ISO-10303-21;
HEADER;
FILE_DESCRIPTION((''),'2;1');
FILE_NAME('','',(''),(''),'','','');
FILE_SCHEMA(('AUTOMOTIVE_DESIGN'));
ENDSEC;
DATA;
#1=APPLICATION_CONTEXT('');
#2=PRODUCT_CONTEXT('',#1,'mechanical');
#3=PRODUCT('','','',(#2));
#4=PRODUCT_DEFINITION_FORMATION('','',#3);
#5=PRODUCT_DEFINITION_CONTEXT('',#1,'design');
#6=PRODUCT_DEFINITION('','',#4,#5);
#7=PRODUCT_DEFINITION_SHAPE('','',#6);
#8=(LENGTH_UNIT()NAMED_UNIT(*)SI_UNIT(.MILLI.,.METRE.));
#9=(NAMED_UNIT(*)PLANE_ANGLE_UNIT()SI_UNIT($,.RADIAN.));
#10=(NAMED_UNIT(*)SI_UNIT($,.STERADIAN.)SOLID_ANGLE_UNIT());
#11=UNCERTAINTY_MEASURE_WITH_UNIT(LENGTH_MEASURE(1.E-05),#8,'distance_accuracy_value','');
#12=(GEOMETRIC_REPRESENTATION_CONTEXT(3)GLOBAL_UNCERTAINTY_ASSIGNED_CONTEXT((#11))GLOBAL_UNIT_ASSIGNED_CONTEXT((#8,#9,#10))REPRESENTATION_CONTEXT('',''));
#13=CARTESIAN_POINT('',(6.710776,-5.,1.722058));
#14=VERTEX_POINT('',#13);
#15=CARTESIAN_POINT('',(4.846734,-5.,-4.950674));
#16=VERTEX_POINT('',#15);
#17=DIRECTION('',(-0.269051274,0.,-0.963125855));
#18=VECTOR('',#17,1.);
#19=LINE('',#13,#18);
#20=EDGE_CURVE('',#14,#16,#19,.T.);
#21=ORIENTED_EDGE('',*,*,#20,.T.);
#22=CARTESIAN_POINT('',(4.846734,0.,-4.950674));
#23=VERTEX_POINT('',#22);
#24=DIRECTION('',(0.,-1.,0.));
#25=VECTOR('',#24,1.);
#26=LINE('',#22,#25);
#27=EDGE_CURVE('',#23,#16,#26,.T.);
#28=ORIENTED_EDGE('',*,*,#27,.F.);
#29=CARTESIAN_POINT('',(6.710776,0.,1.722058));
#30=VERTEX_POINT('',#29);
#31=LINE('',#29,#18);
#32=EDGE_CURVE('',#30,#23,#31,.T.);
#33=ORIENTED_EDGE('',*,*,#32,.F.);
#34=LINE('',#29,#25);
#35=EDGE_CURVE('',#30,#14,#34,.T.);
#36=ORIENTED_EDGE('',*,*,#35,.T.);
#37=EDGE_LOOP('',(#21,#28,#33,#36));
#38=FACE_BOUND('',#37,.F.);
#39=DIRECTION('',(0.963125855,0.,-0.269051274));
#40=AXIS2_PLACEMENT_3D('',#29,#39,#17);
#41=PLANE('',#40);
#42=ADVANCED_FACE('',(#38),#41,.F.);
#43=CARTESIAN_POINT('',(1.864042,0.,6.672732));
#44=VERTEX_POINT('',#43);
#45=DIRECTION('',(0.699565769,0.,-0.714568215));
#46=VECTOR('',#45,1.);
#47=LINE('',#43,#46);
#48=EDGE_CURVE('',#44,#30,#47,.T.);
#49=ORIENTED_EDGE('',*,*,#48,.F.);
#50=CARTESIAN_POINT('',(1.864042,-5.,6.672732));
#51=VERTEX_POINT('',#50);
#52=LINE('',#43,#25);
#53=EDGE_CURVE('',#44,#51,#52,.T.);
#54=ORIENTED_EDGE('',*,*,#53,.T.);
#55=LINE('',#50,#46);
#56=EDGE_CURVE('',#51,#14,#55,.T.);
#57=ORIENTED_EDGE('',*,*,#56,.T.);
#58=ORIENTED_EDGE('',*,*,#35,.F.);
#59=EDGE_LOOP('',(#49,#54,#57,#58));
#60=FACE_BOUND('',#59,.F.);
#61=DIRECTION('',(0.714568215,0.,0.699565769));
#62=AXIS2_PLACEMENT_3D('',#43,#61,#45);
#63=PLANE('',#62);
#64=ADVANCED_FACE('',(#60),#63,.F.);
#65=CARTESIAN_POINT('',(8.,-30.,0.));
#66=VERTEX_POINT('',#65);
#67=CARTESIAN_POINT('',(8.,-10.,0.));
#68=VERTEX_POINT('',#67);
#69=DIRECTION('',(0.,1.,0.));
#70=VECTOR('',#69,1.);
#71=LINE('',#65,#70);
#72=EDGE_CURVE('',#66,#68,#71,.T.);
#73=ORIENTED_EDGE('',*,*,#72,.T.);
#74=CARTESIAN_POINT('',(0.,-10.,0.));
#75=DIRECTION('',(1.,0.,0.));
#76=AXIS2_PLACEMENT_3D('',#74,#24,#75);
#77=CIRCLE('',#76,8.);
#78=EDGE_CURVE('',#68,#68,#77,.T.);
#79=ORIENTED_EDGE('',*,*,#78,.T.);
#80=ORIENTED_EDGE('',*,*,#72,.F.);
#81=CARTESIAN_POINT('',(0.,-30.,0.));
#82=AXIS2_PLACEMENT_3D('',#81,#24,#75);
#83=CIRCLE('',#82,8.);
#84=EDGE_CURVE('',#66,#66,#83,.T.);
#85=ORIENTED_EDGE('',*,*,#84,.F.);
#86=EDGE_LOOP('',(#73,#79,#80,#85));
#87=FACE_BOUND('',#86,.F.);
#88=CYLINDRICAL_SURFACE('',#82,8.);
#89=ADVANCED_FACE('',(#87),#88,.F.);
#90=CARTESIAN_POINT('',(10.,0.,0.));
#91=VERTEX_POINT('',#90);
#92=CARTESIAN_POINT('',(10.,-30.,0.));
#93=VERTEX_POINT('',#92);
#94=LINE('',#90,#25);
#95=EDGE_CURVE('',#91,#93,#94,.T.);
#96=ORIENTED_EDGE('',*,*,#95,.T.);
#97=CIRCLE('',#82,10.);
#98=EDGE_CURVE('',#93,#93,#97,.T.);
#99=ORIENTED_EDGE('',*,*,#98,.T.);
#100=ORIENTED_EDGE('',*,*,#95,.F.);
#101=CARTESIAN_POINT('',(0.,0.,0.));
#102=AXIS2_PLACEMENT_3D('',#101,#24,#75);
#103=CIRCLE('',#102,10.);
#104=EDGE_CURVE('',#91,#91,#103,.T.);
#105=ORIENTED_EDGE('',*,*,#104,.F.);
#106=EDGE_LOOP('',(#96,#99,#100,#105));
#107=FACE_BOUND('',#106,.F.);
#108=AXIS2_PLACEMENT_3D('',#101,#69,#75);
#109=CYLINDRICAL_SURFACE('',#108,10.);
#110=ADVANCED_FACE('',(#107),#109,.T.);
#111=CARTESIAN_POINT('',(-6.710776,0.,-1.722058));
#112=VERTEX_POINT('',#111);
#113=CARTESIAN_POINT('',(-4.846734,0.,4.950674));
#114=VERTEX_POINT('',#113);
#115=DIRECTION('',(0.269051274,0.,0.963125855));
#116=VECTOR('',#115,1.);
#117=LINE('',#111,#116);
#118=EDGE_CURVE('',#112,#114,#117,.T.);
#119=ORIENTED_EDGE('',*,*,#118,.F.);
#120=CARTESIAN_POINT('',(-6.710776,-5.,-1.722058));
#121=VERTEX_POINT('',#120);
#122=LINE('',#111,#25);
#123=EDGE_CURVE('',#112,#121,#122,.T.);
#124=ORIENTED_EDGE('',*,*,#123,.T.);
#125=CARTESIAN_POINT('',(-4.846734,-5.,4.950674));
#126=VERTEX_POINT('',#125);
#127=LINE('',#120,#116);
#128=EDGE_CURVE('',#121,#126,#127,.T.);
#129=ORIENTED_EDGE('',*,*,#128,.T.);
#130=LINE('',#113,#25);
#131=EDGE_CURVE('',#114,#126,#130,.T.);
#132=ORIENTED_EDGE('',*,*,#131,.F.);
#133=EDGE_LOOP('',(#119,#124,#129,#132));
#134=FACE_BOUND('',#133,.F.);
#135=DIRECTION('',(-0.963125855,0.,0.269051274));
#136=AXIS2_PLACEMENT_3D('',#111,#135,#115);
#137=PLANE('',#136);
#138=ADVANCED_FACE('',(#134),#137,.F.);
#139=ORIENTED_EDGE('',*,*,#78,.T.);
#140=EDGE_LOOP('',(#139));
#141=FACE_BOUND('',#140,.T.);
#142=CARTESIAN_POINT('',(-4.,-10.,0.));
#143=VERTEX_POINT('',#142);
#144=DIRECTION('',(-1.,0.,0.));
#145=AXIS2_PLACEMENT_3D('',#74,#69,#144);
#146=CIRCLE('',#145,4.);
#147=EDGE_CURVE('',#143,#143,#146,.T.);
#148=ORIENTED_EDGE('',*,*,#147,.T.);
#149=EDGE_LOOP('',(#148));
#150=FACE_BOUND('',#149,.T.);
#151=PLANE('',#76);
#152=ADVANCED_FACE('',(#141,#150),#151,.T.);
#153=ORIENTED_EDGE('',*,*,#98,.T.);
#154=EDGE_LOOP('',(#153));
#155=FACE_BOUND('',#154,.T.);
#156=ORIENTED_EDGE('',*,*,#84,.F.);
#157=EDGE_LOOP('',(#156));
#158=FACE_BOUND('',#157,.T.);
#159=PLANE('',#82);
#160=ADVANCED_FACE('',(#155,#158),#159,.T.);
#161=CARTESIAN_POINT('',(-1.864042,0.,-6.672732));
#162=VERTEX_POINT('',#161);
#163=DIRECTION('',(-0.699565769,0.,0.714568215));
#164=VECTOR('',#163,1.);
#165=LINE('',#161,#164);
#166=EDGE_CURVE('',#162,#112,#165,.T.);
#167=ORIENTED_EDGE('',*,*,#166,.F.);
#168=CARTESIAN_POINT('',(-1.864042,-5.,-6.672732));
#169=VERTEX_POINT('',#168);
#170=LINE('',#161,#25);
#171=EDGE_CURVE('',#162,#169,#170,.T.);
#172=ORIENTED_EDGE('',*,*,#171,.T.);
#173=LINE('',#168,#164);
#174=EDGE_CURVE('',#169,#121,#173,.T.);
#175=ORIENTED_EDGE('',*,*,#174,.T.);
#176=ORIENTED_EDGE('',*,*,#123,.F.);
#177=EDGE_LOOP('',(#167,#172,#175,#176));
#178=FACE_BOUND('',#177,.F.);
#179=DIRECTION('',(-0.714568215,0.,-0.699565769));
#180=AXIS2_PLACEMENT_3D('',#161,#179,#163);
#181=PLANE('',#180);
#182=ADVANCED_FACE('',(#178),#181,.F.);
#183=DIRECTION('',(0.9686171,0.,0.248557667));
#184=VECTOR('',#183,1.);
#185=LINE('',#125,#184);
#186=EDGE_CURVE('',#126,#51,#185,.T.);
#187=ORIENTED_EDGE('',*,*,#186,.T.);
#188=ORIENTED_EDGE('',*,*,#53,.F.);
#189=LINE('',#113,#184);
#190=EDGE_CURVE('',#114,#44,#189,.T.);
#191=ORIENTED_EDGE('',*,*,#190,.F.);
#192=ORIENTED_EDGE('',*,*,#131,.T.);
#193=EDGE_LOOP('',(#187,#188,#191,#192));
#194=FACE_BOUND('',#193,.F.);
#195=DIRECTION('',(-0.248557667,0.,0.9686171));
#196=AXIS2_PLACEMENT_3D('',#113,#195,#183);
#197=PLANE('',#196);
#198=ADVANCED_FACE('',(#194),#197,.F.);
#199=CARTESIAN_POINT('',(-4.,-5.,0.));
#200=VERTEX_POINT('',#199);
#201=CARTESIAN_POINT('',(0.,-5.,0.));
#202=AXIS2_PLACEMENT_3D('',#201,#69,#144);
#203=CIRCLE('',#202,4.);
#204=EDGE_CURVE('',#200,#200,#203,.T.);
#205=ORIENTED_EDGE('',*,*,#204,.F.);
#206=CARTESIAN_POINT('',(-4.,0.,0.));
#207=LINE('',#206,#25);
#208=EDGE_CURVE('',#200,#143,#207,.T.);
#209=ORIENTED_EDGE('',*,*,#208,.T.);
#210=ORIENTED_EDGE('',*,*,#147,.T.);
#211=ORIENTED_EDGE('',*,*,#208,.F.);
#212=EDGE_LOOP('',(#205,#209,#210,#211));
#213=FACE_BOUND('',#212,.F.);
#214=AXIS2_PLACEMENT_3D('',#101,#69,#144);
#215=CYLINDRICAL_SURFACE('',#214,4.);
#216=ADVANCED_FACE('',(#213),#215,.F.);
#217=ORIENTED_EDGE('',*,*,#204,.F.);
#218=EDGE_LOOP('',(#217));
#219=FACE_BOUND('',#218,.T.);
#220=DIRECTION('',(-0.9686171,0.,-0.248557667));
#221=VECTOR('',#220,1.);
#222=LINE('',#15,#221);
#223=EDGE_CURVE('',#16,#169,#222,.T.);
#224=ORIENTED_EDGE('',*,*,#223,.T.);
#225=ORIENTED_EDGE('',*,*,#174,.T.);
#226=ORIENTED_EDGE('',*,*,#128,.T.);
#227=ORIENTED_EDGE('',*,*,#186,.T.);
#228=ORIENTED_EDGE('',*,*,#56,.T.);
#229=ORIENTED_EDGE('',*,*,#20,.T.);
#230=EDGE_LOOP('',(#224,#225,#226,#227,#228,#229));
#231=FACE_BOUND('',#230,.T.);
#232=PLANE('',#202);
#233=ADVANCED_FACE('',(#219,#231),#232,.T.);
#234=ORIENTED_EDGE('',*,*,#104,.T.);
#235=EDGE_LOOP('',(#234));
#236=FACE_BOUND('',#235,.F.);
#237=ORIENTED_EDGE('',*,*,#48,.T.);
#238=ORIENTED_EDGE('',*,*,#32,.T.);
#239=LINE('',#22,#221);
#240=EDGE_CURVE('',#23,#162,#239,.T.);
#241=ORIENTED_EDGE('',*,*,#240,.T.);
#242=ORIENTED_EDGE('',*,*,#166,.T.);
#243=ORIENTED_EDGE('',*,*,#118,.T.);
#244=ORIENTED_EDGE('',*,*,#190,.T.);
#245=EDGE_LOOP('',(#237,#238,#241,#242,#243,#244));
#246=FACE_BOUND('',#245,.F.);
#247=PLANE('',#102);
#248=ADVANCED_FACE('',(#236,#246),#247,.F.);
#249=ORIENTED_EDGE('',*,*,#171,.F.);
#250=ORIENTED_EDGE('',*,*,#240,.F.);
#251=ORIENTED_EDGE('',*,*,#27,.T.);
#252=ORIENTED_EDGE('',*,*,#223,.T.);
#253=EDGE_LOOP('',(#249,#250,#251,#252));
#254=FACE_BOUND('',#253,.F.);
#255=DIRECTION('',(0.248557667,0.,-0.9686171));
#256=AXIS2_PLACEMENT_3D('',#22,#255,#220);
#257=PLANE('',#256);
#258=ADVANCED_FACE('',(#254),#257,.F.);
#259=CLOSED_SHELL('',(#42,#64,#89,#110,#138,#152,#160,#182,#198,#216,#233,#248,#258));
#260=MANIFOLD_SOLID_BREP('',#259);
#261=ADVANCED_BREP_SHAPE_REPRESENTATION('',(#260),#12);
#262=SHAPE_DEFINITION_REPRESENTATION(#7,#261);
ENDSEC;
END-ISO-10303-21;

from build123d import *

# Parameters (mm, degrees)
F0_R     = 10
F1_DEPTH = 30
F2_R     = 8
F3_DEPTH = 20
F4_R     = 4
F5_DEPTH = 30.001
F7_DEPTH = 5


with BuildPart() as f1:
    # F0 (on Front) → F1 (new body)
    with BuildSketch(Plane.XZ):
        Circle(F0_R)
    extrude(amount=F1_DEPTH)

    # F2 (on face) → F3 (cut)
    with BuildSketch(Plane.XZ.offset(30)):
        Circle(F2_R)
    extrude(amount=-F3_DEPTH, mode=Mode.SUBTRACT)

    # F4 (on face) → F5 (cut, through all)
    with BuildSketch(Plane(origin=(0, 0, 0), x_dir=(-1, 0, 0), z_dir=(0, 1, 0))):
        Circle(F4_R)
    extrude(amount=-F5_DEPTH, mode=Mode.SUBTRACT)

    # F6 (on face) → F7 (cut)
    with BuildSketch(Plane(origin=(0, 0, 0), x_dir=(-1, 0, 0), z_dir=(0, 1, 0))):
        Polygon((4.846734, 4.950674), (-1.864042, 6.672732), (-6.710776, 1.722058), (-4.846734, -4.950674), (1.864042, -6.672732), (6.710776, -1.722058), align=None)
    extrude(amount=-F7_DEPTH, mode=Mode.SUBTRACT)


solid = f1.part
